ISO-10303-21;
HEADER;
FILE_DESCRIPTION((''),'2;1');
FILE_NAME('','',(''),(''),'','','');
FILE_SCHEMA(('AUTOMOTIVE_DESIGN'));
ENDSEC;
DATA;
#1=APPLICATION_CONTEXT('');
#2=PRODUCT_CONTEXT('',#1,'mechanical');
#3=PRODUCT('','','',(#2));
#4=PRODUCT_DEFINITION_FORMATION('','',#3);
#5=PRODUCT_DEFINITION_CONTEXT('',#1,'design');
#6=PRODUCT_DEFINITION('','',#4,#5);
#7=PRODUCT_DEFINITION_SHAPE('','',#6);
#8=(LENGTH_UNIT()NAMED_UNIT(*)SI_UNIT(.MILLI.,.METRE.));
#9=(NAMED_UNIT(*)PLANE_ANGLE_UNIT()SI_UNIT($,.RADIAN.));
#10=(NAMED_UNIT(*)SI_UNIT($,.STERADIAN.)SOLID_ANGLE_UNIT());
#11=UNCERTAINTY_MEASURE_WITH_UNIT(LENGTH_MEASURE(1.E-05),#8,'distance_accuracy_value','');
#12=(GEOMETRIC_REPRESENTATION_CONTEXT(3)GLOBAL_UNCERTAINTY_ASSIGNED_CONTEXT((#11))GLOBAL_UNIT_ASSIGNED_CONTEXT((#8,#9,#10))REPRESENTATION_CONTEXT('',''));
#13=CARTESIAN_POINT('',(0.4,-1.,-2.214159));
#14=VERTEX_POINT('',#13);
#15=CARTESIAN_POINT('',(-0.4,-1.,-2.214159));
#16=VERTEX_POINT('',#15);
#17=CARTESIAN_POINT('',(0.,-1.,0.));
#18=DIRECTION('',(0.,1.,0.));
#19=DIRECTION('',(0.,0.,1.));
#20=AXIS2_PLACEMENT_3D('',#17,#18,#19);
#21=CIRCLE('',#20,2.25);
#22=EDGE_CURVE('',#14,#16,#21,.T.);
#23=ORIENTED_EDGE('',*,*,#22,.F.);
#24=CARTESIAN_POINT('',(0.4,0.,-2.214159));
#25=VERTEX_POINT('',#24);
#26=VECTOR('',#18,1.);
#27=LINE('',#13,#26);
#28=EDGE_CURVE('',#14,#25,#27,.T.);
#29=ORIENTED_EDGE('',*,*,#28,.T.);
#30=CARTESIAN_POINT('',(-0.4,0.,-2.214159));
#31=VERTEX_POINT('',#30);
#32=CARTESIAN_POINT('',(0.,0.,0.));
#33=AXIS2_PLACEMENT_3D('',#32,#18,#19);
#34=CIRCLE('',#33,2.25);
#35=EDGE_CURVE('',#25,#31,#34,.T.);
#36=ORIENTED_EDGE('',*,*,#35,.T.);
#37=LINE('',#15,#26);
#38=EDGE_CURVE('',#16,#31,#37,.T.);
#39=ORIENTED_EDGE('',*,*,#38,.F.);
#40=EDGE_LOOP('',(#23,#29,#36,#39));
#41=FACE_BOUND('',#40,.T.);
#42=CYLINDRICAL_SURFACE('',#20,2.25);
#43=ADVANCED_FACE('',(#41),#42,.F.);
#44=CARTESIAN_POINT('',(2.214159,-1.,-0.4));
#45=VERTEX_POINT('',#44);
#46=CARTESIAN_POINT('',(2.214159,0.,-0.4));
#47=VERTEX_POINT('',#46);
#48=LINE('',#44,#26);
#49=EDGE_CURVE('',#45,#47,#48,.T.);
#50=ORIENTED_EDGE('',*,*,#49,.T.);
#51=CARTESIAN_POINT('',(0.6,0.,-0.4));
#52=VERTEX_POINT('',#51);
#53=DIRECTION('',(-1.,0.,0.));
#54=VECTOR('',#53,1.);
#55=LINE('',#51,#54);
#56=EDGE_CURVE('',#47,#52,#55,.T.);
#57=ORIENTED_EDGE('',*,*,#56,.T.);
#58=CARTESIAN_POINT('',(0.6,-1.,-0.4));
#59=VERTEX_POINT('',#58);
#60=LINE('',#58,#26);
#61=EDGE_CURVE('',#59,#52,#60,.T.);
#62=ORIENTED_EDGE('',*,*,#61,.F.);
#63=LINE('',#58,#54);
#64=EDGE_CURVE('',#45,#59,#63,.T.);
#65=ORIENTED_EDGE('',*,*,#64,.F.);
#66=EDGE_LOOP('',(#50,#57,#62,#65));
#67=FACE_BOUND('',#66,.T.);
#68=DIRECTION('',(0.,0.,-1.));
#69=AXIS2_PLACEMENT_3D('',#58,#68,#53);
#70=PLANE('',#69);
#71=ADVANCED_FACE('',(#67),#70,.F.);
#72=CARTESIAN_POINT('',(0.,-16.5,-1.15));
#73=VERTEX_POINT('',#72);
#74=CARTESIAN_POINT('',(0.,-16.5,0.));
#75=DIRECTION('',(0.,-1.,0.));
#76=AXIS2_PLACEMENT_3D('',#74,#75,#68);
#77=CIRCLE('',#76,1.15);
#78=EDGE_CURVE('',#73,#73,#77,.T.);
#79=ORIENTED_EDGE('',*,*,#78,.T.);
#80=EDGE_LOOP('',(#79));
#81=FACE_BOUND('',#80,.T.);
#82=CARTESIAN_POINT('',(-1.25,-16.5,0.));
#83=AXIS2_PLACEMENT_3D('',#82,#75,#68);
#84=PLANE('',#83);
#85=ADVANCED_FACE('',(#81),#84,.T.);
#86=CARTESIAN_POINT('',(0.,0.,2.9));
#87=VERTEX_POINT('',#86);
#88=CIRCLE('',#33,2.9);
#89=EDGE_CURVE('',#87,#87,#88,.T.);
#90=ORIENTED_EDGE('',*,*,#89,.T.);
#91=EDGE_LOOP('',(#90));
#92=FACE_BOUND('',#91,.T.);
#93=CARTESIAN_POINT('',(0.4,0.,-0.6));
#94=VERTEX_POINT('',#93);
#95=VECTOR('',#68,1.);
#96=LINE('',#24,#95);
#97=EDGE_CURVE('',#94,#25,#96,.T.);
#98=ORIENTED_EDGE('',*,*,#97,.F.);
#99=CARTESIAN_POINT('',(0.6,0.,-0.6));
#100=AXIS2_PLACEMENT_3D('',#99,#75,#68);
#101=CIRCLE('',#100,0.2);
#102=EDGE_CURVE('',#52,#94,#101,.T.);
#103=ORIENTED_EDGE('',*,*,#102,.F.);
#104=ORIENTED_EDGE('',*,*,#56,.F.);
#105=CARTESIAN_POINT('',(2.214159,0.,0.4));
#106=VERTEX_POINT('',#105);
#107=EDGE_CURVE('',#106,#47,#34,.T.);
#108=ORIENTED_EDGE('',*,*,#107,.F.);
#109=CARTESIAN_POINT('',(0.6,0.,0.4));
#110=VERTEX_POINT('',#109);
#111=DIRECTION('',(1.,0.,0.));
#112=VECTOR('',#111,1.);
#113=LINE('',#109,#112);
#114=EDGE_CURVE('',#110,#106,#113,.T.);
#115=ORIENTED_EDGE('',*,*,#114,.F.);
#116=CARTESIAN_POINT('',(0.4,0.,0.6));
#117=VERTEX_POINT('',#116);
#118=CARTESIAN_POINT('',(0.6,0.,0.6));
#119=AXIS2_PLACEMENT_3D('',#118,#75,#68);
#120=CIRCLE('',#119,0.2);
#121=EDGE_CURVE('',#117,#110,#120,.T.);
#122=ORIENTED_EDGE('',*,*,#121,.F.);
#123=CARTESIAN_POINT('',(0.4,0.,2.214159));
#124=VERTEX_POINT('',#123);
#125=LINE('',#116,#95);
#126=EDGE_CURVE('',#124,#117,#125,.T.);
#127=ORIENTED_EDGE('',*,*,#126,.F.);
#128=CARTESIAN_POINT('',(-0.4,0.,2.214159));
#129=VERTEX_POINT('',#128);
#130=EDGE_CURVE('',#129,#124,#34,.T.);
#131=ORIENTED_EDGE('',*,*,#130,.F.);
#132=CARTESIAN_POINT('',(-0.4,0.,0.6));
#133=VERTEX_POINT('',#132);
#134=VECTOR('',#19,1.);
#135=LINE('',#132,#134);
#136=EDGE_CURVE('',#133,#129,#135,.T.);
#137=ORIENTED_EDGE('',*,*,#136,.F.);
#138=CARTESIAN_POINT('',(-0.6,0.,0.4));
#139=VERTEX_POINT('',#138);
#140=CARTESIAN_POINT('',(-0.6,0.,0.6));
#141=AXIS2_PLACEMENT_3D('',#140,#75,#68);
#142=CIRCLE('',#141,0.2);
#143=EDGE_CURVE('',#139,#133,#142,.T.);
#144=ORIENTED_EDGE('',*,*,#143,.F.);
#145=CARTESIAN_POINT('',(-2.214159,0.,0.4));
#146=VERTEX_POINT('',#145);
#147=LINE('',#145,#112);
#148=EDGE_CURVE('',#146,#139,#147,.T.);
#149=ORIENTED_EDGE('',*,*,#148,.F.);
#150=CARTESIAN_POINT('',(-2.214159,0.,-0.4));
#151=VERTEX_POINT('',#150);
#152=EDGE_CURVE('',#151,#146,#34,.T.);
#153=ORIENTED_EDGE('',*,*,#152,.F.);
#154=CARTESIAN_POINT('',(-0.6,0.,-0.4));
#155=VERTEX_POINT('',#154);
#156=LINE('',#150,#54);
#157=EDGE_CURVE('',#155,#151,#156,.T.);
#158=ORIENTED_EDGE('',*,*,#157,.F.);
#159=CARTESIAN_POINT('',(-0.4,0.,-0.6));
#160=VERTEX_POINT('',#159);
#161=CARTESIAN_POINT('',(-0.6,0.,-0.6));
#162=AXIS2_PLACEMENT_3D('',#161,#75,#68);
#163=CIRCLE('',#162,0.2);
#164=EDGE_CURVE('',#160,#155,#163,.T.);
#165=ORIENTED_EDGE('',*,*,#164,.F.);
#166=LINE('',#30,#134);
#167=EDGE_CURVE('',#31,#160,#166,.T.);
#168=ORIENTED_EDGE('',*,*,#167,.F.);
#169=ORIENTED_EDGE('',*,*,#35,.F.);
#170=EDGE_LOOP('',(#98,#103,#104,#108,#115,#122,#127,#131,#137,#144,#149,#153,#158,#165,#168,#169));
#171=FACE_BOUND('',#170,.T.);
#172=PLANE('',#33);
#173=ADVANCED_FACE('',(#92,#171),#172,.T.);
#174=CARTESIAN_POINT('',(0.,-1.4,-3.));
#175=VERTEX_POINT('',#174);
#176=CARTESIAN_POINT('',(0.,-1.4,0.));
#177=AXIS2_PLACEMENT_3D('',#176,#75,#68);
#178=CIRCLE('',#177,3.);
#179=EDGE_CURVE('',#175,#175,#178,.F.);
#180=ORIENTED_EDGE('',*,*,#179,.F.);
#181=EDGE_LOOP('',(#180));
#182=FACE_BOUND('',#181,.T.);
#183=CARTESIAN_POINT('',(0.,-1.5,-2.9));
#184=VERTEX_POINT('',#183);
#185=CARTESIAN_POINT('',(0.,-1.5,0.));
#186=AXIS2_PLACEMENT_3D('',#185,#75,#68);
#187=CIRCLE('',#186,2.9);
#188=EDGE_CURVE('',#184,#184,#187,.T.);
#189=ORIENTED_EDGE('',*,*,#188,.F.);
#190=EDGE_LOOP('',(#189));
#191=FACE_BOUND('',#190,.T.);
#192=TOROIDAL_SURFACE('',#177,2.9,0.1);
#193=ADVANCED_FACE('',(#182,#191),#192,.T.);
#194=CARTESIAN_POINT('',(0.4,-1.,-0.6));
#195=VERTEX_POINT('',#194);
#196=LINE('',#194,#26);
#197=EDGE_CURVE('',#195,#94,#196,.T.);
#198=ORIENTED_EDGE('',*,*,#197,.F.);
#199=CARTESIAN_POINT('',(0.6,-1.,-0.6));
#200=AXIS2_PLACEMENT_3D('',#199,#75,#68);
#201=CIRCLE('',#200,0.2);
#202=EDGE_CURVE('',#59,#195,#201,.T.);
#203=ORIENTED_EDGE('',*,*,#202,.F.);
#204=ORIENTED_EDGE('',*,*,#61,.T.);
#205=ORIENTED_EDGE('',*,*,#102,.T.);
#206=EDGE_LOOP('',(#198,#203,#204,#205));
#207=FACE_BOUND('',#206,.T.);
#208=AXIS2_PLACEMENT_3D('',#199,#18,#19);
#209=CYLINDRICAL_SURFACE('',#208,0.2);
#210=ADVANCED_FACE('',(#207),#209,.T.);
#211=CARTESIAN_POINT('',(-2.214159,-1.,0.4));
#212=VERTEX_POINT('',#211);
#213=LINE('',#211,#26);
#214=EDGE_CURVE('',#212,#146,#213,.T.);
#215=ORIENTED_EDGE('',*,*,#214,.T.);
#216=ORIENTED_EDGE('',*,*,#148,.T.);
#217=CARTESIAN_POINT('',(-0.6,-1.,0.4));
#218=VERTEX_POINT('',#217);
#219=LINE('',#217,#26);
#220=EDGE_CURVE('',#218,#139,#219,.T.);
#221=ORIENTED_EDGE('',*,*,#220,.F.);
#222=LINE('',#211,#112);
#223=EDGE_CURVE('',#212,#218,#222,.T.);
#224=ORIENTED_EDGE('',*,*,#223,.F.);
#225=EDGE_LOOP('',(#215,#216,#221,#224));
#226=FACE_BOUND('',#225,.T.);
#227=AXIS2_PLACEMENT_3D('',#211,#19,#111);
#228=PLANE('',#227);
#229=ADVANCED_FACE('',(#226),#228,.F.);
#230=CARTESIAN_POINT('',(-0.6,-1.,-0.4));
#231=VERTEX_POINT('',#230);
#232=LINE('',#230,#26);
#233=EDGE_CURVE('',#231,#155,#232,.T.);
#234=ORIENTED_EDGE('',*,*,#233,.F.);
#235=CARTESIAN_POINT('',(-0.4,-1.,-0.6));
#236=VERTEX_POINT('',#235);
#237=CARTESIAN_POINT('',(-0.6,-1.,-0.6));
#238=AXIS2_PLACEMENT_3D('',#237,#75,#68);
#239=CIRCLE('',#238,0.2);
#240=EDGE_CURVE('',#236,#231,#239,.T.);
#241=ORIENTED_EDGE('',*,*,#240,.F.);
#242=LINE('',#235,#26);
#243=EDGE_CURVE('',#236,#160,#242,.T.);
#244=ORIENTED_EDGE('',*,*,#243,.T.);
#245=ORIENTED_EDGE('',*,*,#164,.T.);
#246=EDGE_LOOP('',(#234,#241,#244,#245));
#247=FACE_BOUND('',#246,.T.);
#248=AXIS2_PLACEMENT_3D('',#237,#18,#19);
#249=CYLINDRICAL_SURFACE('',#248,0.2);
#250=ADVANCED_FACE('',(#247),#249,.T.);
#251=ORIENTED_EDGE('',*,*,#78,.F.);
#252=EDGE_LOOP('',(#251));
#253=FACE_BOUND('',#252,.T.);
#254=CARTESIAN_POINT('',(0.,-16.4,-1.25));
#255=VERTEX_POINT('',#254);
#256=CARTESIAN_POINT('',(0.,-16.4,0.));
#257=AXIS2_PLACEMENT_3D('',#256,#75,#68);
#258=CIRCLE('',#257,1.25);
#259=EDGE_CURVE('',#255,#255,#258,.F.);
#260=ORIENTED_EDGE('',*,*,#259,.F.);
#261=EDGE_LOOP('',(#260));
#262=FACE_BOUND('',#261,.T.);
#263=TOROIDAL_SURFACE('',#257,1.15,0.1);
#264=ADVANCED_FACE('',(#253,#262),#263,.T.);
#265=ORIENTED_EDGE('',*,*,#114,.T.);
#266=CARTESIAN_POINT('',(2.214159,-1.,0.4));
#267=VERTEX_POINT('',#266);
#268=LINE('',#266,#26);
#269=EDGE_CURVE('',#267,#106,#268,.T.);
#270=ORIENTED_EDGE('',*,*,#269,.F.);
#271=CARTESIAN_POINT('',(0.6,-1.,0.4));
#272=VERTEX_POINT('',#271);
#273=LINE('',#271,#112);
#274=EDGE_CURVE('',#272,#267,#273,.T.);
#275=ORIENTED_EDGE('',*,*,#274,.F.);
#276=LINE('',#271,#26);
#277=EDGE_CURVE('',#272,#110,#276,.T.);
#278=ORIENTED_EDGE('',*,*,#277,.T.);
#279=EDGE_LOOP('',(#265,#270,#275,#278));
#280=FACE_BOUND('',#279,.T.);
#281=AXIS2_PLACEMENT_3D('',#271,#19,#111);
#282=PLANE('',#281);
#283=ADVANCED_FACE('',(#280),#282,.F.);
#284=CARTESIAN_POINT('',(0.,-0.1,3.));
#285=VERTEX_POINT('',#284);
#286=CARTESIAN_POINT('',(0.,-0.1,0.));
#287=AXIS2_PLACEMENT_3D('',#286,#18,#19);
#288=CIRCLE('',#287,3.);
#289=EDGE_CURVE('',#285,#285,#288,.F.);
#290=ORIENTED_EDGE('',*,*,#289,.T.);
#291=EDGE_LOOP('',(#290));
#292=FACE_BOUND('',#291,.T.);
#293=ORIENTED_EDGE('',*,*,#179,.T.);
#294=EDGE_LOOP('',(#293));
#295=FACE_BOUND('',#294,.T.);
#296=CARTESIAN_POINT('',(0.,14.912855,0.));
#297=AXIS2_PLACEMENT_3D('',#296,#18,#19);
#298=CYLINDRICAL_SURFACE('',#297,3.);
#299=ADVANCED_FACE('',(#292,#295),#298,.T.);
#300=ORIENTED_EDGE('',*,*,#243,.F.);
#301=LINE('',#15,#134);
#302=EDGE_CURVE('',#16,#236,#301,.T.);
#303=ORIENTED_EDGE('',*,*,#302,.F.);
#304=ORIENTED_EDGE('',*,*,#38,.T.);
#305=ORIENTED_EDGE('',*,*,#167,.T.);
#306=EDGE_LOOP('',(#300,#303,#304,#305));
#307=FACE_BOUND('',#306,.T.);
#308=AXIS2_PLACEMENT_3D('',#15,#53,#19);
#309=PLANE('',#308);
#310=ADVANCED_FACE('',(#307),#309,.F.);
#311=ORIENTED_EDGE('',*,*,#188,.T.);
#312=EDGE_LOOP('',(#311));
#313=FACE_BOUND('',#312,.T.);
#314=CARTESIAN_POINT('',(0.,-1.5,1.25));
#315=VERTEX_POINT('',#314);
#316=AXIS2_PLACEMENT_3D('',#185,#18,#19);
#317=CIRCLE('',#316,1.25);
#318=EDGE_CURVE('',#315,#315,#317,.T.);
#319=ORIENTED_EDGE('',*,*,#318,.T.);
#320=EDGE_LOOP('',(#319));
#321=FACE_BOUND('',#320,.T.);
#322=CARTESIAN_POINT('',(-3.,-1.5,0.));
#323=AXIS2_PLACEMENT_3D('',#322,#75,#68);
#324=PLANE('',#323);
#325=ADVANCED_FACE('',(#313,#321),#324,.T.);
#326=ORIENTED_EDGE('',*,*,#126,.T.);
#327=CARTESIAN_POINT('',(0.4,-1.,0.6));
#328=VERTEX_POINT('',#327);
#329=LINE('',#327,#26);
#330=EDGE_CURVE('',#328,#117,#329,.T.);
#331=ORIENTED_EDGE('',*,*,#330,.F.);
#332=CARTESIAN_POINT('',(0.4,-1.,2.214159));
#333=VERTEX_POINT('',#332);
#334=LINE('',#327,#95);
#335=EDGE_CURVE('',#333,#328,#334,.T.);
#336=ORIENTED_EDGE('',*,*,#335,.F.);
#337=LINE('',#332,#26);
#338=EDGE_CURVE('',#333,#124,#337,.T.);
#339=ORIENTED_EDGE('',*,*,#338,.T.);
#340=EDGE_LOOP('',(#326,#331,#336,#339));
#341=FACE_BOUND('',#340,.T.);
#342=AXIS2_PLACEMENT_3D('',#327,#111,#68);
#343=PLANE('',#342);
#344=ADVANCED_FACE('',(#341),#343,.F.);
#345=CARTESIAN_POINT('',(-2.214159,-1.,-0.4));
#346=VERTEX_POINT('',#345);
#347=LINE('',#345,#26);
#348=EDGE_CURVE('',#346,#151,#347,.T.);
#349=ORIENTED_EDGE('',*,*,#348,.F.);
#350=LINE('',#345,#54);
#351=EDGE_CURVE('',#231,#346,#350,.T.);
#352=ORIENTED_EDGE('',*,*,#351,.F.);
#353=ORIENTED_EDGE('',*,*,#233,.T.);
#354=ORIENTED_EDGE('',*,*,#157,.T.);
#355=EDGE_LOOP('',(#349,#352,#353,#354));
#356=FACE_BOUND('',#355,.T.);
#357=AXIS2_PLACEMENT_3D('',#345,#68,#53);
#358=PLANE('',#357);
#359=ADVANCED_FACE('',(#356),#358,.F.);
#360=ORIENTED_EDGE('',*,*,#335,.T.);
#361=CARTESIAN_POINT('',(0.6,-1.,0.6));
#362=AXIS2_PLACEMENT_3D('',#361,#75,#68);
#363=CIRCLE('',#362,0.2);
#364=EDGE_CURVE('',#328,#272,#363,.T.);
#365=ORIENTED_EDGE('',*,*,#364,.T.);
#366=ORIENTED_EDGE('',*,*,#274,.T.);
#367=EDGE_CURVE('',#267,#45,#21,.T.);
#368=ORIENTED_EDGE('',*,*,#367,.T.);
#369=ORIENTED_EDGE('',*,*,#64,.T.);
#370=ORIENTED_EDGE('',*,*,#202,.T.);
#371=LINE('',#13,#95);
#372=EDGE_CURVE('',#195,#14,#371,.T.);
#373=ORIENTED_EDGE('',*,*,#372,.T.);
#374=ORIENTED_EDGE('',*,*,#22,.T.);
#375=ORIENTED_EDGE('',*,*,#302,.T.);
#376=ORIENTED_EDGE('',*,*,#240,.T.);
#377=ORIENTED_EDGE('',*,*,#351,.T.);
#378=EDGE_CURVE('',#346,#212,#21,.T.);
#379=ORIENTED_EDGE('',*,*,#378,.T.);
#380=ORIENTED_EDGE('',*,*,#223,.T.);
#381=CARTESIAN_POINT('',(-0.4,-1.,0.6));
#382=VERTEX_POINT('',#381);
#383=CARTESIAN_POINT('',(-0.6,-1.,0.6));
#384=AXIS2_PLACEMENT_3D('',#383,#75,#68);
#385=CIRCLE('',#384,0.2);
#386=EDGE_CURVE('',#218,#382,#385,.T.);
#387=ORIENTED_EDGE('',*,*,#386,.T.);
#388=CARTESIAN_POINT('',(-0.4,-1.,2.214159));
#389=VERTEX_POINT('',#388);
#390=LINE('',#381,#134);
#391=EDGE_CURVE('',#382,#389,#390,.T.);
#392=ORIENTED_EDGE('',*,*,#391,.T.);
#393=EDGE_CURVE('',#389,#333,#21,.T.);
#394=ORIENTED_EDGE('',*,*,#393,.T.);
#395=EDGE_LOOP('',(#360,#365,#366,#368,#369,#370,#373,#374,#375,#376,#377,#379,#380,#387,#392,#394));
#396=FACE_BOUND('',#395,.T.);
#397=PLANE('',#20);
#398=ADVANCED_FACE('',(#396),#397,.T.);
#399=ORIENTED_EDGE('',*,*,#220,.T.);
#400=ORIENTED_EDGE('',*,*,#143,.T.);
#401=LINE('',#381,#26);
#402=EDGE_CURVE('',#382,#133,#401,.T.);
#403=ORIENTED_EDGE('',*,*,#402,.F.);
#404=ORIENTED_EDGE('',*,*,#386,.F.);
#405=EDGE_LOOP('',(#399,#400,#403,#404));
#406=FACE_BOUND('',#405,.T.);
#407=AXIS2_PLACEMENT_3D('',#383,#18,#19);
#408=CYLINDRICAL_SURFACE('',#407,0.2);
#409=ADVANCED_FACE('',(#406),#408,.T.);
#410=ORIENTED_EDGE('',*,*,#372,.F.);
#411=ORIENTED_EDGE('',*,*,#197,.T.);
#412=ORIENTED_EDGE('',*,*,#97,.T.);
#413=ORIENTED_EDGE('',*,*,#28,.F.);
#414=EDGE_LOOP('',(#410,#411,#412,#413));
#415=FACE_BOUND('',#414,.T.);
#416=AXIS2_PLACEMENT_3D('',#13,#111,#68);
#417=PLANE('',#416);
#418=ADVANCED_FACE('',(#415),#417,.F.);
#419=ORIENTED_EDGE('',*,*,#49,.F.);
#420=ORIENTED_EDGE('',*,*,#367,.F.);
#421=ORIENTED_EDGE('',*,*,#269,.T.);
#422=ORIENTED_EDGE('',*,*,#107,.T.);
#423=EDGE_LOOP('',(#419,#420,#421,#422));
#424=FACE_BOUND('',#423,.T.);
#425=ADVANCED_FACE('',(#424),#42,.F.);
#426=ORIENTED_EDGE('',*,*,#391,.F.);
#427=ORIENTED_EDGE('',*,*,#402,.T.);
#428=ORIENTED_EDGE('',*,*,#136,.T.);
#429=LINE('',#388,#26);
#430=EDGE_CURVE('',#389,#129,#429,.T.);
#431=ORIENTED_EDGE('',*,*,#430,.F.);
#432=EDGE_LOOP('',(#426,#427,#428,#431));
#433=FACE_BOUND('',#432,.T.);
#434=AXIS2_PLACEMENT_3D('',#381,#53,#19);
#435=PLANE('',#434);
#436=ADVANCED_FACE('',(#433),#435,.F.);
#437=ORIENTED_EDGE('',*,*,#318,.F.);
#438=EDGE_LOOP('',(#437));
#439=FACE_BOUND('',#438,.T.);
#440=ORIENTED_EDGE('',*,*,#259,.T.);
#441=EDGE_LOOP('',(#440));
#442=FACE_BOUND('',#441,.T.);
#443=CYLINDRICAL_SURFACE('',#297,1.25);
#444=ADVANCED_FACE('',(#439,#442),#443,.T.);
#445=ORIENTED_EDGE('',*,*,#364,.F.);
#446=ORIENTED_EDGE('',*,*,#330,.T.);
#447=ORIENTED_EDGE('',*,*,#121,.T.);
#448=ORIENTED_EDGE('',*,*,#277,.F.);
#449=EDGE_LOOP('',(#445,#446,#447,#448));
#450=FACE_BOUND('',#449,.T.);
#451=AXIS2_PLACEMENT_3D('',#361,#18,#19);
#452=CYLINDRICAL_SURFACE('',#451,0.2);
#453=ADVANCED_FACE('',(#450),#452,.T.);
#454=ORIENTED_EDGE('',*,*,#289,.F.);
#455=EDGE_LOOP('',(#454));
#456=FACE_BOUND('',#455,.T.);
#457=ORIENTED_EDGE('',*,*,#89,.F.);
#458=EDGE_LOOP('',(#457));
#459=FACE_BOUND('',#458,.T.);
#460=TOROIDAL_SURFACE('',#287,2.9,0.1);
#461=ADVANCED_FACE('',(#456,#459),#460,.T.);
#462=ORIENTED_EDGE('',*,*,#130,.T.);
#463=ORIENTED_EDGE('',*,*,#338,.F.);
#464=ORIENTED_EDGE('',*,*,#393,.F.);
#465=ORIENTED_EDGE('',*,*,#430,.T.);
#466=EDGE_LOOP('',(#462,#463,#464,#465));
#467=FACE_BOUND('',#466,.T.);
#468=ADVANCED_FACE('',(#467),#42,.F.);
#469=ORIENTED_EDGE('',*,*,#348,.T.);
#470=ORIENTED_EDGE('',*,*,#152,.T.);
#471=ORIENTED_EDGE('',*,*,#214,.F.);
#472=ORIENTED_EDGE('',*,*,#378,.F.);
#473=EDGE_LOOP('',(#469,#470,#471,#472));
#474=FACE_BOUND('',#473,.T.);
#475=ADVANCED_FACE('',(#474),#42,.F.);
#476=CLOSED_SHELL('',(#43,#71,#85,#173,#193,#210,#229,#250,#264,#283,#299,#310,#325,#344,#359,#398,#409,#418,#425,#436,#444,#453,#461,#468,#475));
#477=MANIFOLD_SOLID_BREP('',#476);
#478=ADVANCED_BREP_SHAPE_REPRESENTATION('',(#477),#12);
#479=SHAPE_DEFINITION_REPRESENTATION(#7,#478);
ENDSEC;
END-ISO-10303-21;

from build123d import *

# Parameters (mm, degrees)
FILLET1_R          = 0.1
CUT_EXTRUDE1_DEPTH = 1


with BuildPart() as part:
    # Sketch1 → Revolve1 (revolve)
    with BuildSketch(Plane.XY, mode=Mode.PRIVATE) as revolve1_sk:
        Polygon((0, 0), (-3, 0), (-3, -1.5), (-1.25, -1.5), (-1.25, -16.5), (0, -16.5), align=None)
    revolve(revolve1_sk.sketch.rotate(Axis((0, 14.912855268, 0), (0, -1, 0)), 270), axis=Axis((0, 14.912855268, 0), (0, -1, 0)))

    # Fillet1
    fillet1_edges = [part.edges().sort_by_distance(p)[0] for p in [
        (0, -16.5, -1.25),
        (0, -1.5, -3),
        (0, 0, -3),
    ]]
    fillet(fillet1_edges, radius=FILLET1_R)

    # Sketch2 → Cut-Extrude1 (cut)
    with BuildSketch(Plane(origin=(0, 0, 0), x_dir=(1, 0, 0), z_dir=(0, 1, 0))):
        with BuildLine():
            Line((-2.214158983, -0.4), (-0.6, -0.4))
            ThreePointArc((-0.6, -0.4), (-0.458578644, -0.458578644), (-0.4, -0.6))
            Line((-0.4, -0.6), (-0.4, -2.214158983))
            ThreePointArc((-0.4, -2.214158983), (0, -2.25), (0.4, -2.214158983))
            Line((0.4, -2.214158983), (0.4, -0.6))
            ThreePointArc((0.4, -0.6), (0.458578644, -0.458578644), (0.6, -0.4))
            Line((0.6, -0.4), (2.214158983, -0.4))
            ThreePointArc((2.214158983, -0.4), (2.25, 0), (2.214158983, 0.4))
            Line((2.214158983, 0.4), (0.6, 0.4))
            ThreePointArc((0.6, 0.4), (0.458578644, 0.458578644), (0.4, 0.6))
            Line((0.4, 0.6), (0.4, 2.214158983))
            ThreePointArc((0.4, 2.214158983), (0, 2.25), (-0.4, 2.214158983))
            Line((-0.4, 2.214158983), (-0.4, 0.6))
            ThreePointArc((-0.4, 0.6), (-0.458578644, 0.458578644), (-0.6, 0.4))
            Line((-0.6, 0.4), (-2.214158983, 0.4))
            ThreePointArc((-2.214158983, 0.4), (-2.25, 0), (-2.214158983, -0.4))
        make_face()
    extrude(amount=-CUT_EXTRUDE1_DEPTH, mode=Mode.SUBTRACT)


solid = part.part
